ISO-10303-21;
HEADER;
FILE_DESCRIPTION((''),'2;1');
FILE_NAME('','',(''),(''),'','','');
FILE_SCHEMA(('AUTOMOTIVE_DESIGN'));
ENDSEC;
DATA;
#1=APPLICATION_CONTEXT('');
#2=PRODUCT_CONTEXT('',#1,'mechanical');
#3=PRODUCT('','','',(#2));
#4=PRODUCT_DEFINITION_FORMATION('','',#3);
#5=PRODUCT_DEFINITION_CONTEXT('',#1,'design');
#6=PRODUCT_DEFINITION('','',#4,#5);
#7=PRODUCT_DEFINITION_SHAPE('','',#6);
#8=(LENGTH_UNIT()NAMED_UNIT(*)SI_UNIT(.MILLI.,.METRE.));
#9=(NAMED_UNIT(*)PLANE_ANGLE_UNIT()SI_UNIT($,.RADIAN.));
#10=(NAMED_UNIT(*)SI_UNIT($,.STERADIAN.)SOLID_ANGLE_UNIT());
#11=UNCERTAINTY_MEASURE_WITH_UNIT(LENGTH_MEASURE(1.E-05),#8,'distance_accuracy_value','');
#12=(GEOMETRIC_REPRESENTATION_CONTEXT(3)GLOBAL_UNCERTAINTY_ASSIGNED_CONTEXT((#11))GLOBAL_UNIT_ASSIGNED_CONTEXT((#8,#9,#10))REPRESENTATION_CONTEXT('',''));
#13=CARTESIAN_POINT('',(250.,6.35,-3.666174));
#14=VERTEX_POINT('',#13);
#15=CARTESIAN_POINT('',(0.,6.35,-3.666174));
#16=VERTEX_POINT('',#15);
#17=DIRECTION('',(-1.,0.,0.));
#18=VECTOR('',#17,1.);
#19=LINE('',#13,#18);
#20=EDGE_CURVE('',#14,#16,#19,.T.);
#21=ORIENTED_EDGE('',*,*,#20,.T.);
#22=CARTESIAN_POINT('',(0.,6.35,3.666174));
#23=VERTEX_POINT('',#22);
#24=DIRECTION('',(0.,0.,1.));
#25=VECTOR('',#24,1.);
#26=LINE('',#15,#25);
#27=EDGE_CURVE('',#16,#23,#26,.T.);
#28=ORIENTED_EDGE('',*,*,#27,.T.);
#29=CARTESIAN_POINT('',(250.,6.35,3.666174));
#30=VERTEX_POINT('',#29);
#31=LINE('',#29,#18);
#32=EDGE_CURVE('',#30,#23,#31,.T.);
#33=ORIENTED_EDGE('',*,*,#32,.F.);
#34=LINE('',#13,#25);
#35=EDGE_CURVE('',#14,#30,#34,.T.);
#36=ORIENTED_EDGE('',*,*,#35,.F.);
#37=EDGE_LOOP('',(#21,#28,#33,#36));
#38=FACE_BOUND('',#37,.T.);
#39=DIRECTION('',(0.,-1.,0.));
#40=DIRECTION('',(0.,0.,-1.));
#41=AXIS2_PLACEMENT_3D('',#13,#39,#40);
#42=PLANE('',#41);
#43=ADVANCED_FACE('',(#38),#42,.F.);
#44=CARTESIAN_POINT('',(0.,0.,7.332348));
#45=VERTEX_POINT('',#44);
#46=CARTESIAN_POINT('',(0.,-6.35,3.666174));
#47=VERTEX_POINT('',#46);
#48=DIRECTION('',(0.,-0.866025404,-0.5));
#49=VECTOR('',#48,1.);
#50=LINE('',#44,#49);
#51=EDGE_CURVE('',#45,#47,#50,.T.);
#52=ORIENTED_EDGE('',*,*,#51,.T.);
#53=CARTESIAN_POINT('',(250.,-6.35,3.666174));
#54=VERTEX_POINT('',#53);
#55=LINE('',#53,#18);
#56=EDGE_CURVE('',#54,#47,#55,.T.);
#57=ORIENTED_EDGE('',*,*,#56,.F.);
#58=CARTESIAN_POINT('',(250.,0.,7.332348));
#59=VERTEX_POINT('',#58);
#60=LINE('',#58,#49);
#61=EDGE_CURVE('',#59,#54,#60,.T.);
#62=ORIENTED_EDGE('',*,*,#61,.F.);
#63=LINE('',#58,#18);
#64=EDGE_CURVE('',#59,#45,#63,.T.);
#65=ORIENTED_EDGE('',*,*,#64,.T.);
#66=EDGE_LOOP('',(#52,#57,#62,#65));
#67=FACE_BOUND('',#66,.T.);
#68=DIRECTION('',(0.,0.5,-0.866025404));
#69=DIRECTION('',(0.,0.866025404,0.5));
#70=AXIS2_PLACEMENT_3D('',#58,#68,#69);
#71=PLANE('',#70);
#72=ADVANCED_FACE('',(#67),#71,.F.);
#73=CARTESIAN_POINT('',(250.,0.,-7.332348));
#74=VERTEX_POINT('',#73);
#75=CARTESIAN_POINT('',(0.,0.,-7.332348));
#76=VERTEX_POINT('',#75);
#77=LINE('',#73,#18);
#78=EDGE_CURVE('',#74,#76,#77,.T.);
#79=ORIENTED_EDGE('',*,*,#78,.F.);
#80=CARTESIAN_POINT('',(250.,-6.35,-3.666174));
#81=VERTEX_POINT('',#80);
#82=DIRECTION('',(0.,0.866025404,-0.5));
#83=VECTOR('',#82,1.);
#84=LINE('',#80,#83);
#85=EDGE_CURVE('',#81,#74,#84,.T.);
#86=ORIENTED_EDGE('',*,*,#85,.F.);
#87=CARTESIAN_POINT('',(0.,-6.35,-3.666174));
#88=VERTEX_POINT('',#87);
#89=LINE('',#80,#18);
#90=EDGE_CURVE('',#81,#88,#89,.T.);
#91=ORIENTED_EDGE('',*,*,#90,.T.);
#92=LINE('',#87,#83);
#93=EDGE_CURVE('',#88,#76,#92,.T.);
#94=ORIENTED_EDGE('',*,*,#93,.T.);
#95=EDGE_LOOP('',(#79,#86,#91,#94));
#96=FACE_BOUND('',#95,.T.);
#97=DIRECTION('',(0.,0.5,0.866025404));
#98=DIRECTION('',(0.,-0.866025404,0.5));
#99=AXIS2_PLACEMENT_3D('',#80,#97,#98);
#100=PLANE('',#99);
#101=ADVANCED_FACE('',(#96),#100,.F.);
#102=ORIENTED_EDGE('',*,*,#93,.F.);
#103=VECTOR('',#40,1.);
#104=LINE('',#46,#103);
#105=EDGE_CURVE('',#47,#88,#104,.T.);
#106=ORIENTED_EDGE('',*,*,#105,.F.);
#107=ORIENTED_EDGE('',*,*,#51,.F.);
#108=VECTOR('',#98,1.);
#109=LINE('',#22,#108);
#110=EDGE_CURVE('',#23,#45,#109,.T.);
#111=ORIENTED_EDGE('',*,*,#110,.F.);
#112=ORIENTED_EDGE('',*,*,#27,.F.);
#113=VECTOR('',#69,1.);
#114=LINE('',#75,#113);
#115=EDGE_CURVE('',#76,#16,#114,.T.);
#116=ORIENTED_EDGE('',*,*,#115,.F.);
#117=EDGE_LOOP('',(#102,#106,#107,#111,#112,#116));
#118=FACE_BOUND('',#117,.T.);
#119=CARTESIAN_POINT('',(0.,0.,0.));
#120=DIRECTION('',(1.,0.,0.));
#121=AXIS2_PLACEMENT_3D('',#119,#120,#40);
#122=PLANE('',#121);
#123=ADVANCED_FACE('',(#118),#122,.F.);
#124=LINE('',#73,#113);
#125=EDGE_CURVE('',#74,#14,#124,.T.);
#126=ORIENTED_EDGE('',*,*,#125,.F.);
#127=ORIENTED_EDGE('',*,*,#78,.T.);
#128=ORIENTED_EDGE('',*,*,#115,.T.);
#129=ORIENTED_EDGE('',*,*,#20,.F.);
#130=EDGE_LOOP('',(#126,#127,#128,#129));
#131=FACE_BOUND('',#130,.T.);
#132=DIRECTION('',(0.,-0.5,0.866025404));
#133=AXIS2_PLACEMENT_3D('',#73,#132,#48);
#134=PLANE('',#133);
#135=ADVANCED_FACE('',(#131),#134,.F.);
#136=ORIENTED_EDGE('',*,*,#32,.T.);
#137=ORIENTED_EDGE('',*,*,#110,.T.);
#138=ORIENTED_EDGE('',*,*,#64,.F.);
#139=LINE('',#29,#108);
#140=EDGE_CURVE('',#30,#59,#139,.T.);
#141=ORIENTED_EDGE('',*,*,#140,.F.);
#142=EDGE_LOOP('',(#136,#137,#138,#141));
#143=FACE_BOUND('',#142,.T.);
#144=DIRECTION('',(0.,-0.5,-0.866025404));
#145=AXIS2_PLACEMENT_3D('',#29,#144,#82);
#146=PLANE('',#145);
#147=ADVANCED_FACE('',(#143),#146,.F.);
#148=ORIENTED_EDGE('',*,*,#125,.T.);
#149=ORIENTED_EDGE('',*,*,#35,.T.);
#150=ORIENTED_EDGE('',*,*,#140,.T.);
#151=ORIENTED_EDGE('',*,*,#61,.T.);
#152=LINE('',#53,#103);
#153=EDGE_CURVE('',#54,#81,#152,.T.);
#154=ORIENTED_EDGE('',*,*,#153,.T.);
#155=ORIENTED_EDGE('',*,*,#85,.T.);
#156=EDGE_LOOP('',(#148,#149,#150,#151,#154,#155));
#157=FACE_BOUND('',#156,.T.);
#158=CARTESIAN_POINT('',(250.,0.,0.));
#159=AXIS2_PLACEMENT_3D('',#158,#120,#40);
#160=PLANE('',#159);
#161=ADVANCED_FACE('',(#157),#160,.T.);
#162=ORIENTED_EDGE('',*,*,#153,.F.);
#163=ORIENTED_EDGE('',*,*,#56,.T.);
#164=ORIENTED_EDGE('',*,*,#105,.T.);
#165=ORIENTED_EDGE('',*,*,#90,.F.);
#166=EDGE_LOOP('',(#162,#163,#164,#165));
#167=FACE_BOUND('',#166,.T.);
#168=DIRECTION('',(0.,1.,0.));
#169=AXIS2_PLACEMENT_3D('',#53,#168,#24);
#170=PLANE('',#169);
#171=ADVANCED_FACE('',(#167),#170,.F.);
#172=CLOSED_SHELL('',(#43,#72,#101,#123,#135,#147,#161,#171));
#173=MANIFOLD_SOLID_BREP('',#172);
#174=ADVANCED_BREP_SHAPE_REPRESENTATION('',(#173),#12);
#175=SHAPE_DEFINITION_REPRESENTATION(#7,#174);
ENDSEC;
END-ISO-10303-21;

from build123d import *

# Parameters (mm, degrees)
SALIENTE_EXTRUIR1_DEPTH = 250


with BuildPart() as part:
    # Croquis1 → Saliente-Extruir1 (new body)
    with BuildSketch(Plane(origin=(0, 0, 0), x_dir=(0, 0, -1), z_dir=(1, 0, 0))):
        Polygon((7.332348419, 0), (3.666174209, 6.35), (-3.666174209, 6.35), (-7.332348419, 0), (-3.666174209, -6.35), (3.666174209, -6.35), align=None)
    extrude(amount=SALIENTE_EXTRUIR1_DEPTH)


solid = part.part
